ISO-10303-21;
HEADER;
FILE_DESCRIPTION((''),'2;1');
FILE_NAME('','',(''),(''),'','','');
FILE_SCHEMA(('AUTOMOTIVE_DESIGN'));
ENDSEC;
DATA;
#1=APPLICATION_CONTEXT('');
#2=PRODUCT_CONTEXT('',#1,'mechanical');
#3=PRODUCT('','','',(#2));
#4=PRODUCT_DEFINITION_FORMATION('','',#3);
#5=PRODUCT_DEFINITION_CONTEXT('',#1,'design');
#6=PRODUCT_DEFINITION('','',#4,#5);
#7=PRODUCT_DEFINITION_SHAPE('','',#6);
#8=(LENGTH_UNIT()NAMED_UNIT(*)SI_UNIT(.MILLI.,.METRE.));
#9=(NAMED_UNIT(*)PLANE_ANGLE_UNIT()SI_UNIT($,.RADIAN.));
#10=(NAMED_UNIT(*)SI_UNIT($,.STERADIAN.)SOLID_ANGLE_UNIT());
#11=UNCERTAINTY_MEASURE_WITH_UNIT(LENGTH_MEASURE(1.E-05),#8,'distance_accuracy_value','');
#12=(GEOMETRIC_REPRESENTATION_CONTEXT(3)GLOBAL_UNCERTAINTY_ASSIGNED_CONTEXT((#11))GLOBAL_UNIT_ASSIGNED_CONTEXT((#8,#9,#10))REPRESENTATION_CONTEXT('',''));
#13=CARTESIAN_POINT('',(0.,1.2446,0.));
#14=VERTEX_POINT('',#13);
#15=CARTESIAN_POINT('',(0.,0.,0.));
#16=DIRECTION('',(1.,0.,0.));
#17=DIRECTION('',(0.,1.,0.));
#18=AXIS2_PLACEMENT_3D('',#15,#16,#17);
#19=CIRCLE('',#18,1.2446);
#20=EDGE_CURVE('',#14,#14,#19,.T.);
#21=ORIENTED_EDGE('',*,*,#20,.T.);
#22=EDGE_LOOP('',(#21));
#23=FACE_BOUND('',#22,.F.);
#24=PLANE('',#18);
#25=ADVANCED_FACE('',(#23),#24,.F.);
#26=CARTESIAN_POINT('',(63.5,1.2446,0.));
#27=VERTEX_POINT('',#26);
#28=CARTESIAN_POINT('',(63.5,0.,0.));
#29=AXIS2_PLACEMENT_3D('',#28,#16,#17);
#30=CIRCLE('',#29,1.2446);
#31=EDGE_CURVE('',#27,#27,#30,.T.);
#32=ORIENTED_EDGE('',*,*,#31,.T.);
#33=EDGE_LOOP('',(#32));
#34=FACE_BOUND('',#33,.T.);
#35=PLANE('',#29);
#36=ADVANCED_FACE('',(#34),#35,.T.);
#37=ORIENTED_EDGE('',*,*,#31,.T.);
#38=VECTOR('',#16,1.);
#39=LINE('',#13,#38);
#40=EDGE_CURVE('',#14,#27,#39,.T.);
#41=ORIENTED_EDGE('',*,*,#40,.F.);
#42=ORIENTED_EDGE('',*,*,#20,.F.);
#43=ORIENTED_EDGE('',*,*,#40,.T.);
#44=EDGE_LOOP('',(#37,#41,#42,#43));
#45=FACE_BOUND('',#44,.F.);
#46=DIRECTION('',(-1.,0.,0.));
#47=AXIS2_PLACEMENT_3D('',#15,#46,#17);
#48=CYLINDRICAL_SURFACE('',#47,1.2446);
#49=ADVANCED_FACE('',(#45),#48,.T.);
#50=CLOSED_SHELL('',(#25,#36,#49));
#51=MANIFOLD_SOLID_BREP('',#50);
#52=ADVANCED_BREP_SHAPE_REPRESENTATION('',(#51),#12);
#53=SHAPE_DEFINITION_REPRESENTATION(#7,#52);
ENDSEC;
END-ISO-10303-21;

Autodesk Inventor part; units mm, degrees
ref_plane "YZ Plane" through (0, 0, 0) normal (1, 0, 0) x (0, 1, 0)
ref_plane "XZ Plane" through (0, 0, 0) normal (0, 1, 0) x (-1, 0, 0)
ref_plane "XY Plane" through (0, 0, 0) normal (0, 0, 1) x (1, 0, 0)
sketch "Sketch1" plane through (0, 0, 0) normal (1, 0, 0) x (0, 1, 0)
  circle A0 centre (0, 0) radius 1.2446
  dimension "d0" = 2.4892
extrude "Extrusion1" add sketch "Sketch1" along normal blind 63.5
properties part number "new 18-8 axle"
